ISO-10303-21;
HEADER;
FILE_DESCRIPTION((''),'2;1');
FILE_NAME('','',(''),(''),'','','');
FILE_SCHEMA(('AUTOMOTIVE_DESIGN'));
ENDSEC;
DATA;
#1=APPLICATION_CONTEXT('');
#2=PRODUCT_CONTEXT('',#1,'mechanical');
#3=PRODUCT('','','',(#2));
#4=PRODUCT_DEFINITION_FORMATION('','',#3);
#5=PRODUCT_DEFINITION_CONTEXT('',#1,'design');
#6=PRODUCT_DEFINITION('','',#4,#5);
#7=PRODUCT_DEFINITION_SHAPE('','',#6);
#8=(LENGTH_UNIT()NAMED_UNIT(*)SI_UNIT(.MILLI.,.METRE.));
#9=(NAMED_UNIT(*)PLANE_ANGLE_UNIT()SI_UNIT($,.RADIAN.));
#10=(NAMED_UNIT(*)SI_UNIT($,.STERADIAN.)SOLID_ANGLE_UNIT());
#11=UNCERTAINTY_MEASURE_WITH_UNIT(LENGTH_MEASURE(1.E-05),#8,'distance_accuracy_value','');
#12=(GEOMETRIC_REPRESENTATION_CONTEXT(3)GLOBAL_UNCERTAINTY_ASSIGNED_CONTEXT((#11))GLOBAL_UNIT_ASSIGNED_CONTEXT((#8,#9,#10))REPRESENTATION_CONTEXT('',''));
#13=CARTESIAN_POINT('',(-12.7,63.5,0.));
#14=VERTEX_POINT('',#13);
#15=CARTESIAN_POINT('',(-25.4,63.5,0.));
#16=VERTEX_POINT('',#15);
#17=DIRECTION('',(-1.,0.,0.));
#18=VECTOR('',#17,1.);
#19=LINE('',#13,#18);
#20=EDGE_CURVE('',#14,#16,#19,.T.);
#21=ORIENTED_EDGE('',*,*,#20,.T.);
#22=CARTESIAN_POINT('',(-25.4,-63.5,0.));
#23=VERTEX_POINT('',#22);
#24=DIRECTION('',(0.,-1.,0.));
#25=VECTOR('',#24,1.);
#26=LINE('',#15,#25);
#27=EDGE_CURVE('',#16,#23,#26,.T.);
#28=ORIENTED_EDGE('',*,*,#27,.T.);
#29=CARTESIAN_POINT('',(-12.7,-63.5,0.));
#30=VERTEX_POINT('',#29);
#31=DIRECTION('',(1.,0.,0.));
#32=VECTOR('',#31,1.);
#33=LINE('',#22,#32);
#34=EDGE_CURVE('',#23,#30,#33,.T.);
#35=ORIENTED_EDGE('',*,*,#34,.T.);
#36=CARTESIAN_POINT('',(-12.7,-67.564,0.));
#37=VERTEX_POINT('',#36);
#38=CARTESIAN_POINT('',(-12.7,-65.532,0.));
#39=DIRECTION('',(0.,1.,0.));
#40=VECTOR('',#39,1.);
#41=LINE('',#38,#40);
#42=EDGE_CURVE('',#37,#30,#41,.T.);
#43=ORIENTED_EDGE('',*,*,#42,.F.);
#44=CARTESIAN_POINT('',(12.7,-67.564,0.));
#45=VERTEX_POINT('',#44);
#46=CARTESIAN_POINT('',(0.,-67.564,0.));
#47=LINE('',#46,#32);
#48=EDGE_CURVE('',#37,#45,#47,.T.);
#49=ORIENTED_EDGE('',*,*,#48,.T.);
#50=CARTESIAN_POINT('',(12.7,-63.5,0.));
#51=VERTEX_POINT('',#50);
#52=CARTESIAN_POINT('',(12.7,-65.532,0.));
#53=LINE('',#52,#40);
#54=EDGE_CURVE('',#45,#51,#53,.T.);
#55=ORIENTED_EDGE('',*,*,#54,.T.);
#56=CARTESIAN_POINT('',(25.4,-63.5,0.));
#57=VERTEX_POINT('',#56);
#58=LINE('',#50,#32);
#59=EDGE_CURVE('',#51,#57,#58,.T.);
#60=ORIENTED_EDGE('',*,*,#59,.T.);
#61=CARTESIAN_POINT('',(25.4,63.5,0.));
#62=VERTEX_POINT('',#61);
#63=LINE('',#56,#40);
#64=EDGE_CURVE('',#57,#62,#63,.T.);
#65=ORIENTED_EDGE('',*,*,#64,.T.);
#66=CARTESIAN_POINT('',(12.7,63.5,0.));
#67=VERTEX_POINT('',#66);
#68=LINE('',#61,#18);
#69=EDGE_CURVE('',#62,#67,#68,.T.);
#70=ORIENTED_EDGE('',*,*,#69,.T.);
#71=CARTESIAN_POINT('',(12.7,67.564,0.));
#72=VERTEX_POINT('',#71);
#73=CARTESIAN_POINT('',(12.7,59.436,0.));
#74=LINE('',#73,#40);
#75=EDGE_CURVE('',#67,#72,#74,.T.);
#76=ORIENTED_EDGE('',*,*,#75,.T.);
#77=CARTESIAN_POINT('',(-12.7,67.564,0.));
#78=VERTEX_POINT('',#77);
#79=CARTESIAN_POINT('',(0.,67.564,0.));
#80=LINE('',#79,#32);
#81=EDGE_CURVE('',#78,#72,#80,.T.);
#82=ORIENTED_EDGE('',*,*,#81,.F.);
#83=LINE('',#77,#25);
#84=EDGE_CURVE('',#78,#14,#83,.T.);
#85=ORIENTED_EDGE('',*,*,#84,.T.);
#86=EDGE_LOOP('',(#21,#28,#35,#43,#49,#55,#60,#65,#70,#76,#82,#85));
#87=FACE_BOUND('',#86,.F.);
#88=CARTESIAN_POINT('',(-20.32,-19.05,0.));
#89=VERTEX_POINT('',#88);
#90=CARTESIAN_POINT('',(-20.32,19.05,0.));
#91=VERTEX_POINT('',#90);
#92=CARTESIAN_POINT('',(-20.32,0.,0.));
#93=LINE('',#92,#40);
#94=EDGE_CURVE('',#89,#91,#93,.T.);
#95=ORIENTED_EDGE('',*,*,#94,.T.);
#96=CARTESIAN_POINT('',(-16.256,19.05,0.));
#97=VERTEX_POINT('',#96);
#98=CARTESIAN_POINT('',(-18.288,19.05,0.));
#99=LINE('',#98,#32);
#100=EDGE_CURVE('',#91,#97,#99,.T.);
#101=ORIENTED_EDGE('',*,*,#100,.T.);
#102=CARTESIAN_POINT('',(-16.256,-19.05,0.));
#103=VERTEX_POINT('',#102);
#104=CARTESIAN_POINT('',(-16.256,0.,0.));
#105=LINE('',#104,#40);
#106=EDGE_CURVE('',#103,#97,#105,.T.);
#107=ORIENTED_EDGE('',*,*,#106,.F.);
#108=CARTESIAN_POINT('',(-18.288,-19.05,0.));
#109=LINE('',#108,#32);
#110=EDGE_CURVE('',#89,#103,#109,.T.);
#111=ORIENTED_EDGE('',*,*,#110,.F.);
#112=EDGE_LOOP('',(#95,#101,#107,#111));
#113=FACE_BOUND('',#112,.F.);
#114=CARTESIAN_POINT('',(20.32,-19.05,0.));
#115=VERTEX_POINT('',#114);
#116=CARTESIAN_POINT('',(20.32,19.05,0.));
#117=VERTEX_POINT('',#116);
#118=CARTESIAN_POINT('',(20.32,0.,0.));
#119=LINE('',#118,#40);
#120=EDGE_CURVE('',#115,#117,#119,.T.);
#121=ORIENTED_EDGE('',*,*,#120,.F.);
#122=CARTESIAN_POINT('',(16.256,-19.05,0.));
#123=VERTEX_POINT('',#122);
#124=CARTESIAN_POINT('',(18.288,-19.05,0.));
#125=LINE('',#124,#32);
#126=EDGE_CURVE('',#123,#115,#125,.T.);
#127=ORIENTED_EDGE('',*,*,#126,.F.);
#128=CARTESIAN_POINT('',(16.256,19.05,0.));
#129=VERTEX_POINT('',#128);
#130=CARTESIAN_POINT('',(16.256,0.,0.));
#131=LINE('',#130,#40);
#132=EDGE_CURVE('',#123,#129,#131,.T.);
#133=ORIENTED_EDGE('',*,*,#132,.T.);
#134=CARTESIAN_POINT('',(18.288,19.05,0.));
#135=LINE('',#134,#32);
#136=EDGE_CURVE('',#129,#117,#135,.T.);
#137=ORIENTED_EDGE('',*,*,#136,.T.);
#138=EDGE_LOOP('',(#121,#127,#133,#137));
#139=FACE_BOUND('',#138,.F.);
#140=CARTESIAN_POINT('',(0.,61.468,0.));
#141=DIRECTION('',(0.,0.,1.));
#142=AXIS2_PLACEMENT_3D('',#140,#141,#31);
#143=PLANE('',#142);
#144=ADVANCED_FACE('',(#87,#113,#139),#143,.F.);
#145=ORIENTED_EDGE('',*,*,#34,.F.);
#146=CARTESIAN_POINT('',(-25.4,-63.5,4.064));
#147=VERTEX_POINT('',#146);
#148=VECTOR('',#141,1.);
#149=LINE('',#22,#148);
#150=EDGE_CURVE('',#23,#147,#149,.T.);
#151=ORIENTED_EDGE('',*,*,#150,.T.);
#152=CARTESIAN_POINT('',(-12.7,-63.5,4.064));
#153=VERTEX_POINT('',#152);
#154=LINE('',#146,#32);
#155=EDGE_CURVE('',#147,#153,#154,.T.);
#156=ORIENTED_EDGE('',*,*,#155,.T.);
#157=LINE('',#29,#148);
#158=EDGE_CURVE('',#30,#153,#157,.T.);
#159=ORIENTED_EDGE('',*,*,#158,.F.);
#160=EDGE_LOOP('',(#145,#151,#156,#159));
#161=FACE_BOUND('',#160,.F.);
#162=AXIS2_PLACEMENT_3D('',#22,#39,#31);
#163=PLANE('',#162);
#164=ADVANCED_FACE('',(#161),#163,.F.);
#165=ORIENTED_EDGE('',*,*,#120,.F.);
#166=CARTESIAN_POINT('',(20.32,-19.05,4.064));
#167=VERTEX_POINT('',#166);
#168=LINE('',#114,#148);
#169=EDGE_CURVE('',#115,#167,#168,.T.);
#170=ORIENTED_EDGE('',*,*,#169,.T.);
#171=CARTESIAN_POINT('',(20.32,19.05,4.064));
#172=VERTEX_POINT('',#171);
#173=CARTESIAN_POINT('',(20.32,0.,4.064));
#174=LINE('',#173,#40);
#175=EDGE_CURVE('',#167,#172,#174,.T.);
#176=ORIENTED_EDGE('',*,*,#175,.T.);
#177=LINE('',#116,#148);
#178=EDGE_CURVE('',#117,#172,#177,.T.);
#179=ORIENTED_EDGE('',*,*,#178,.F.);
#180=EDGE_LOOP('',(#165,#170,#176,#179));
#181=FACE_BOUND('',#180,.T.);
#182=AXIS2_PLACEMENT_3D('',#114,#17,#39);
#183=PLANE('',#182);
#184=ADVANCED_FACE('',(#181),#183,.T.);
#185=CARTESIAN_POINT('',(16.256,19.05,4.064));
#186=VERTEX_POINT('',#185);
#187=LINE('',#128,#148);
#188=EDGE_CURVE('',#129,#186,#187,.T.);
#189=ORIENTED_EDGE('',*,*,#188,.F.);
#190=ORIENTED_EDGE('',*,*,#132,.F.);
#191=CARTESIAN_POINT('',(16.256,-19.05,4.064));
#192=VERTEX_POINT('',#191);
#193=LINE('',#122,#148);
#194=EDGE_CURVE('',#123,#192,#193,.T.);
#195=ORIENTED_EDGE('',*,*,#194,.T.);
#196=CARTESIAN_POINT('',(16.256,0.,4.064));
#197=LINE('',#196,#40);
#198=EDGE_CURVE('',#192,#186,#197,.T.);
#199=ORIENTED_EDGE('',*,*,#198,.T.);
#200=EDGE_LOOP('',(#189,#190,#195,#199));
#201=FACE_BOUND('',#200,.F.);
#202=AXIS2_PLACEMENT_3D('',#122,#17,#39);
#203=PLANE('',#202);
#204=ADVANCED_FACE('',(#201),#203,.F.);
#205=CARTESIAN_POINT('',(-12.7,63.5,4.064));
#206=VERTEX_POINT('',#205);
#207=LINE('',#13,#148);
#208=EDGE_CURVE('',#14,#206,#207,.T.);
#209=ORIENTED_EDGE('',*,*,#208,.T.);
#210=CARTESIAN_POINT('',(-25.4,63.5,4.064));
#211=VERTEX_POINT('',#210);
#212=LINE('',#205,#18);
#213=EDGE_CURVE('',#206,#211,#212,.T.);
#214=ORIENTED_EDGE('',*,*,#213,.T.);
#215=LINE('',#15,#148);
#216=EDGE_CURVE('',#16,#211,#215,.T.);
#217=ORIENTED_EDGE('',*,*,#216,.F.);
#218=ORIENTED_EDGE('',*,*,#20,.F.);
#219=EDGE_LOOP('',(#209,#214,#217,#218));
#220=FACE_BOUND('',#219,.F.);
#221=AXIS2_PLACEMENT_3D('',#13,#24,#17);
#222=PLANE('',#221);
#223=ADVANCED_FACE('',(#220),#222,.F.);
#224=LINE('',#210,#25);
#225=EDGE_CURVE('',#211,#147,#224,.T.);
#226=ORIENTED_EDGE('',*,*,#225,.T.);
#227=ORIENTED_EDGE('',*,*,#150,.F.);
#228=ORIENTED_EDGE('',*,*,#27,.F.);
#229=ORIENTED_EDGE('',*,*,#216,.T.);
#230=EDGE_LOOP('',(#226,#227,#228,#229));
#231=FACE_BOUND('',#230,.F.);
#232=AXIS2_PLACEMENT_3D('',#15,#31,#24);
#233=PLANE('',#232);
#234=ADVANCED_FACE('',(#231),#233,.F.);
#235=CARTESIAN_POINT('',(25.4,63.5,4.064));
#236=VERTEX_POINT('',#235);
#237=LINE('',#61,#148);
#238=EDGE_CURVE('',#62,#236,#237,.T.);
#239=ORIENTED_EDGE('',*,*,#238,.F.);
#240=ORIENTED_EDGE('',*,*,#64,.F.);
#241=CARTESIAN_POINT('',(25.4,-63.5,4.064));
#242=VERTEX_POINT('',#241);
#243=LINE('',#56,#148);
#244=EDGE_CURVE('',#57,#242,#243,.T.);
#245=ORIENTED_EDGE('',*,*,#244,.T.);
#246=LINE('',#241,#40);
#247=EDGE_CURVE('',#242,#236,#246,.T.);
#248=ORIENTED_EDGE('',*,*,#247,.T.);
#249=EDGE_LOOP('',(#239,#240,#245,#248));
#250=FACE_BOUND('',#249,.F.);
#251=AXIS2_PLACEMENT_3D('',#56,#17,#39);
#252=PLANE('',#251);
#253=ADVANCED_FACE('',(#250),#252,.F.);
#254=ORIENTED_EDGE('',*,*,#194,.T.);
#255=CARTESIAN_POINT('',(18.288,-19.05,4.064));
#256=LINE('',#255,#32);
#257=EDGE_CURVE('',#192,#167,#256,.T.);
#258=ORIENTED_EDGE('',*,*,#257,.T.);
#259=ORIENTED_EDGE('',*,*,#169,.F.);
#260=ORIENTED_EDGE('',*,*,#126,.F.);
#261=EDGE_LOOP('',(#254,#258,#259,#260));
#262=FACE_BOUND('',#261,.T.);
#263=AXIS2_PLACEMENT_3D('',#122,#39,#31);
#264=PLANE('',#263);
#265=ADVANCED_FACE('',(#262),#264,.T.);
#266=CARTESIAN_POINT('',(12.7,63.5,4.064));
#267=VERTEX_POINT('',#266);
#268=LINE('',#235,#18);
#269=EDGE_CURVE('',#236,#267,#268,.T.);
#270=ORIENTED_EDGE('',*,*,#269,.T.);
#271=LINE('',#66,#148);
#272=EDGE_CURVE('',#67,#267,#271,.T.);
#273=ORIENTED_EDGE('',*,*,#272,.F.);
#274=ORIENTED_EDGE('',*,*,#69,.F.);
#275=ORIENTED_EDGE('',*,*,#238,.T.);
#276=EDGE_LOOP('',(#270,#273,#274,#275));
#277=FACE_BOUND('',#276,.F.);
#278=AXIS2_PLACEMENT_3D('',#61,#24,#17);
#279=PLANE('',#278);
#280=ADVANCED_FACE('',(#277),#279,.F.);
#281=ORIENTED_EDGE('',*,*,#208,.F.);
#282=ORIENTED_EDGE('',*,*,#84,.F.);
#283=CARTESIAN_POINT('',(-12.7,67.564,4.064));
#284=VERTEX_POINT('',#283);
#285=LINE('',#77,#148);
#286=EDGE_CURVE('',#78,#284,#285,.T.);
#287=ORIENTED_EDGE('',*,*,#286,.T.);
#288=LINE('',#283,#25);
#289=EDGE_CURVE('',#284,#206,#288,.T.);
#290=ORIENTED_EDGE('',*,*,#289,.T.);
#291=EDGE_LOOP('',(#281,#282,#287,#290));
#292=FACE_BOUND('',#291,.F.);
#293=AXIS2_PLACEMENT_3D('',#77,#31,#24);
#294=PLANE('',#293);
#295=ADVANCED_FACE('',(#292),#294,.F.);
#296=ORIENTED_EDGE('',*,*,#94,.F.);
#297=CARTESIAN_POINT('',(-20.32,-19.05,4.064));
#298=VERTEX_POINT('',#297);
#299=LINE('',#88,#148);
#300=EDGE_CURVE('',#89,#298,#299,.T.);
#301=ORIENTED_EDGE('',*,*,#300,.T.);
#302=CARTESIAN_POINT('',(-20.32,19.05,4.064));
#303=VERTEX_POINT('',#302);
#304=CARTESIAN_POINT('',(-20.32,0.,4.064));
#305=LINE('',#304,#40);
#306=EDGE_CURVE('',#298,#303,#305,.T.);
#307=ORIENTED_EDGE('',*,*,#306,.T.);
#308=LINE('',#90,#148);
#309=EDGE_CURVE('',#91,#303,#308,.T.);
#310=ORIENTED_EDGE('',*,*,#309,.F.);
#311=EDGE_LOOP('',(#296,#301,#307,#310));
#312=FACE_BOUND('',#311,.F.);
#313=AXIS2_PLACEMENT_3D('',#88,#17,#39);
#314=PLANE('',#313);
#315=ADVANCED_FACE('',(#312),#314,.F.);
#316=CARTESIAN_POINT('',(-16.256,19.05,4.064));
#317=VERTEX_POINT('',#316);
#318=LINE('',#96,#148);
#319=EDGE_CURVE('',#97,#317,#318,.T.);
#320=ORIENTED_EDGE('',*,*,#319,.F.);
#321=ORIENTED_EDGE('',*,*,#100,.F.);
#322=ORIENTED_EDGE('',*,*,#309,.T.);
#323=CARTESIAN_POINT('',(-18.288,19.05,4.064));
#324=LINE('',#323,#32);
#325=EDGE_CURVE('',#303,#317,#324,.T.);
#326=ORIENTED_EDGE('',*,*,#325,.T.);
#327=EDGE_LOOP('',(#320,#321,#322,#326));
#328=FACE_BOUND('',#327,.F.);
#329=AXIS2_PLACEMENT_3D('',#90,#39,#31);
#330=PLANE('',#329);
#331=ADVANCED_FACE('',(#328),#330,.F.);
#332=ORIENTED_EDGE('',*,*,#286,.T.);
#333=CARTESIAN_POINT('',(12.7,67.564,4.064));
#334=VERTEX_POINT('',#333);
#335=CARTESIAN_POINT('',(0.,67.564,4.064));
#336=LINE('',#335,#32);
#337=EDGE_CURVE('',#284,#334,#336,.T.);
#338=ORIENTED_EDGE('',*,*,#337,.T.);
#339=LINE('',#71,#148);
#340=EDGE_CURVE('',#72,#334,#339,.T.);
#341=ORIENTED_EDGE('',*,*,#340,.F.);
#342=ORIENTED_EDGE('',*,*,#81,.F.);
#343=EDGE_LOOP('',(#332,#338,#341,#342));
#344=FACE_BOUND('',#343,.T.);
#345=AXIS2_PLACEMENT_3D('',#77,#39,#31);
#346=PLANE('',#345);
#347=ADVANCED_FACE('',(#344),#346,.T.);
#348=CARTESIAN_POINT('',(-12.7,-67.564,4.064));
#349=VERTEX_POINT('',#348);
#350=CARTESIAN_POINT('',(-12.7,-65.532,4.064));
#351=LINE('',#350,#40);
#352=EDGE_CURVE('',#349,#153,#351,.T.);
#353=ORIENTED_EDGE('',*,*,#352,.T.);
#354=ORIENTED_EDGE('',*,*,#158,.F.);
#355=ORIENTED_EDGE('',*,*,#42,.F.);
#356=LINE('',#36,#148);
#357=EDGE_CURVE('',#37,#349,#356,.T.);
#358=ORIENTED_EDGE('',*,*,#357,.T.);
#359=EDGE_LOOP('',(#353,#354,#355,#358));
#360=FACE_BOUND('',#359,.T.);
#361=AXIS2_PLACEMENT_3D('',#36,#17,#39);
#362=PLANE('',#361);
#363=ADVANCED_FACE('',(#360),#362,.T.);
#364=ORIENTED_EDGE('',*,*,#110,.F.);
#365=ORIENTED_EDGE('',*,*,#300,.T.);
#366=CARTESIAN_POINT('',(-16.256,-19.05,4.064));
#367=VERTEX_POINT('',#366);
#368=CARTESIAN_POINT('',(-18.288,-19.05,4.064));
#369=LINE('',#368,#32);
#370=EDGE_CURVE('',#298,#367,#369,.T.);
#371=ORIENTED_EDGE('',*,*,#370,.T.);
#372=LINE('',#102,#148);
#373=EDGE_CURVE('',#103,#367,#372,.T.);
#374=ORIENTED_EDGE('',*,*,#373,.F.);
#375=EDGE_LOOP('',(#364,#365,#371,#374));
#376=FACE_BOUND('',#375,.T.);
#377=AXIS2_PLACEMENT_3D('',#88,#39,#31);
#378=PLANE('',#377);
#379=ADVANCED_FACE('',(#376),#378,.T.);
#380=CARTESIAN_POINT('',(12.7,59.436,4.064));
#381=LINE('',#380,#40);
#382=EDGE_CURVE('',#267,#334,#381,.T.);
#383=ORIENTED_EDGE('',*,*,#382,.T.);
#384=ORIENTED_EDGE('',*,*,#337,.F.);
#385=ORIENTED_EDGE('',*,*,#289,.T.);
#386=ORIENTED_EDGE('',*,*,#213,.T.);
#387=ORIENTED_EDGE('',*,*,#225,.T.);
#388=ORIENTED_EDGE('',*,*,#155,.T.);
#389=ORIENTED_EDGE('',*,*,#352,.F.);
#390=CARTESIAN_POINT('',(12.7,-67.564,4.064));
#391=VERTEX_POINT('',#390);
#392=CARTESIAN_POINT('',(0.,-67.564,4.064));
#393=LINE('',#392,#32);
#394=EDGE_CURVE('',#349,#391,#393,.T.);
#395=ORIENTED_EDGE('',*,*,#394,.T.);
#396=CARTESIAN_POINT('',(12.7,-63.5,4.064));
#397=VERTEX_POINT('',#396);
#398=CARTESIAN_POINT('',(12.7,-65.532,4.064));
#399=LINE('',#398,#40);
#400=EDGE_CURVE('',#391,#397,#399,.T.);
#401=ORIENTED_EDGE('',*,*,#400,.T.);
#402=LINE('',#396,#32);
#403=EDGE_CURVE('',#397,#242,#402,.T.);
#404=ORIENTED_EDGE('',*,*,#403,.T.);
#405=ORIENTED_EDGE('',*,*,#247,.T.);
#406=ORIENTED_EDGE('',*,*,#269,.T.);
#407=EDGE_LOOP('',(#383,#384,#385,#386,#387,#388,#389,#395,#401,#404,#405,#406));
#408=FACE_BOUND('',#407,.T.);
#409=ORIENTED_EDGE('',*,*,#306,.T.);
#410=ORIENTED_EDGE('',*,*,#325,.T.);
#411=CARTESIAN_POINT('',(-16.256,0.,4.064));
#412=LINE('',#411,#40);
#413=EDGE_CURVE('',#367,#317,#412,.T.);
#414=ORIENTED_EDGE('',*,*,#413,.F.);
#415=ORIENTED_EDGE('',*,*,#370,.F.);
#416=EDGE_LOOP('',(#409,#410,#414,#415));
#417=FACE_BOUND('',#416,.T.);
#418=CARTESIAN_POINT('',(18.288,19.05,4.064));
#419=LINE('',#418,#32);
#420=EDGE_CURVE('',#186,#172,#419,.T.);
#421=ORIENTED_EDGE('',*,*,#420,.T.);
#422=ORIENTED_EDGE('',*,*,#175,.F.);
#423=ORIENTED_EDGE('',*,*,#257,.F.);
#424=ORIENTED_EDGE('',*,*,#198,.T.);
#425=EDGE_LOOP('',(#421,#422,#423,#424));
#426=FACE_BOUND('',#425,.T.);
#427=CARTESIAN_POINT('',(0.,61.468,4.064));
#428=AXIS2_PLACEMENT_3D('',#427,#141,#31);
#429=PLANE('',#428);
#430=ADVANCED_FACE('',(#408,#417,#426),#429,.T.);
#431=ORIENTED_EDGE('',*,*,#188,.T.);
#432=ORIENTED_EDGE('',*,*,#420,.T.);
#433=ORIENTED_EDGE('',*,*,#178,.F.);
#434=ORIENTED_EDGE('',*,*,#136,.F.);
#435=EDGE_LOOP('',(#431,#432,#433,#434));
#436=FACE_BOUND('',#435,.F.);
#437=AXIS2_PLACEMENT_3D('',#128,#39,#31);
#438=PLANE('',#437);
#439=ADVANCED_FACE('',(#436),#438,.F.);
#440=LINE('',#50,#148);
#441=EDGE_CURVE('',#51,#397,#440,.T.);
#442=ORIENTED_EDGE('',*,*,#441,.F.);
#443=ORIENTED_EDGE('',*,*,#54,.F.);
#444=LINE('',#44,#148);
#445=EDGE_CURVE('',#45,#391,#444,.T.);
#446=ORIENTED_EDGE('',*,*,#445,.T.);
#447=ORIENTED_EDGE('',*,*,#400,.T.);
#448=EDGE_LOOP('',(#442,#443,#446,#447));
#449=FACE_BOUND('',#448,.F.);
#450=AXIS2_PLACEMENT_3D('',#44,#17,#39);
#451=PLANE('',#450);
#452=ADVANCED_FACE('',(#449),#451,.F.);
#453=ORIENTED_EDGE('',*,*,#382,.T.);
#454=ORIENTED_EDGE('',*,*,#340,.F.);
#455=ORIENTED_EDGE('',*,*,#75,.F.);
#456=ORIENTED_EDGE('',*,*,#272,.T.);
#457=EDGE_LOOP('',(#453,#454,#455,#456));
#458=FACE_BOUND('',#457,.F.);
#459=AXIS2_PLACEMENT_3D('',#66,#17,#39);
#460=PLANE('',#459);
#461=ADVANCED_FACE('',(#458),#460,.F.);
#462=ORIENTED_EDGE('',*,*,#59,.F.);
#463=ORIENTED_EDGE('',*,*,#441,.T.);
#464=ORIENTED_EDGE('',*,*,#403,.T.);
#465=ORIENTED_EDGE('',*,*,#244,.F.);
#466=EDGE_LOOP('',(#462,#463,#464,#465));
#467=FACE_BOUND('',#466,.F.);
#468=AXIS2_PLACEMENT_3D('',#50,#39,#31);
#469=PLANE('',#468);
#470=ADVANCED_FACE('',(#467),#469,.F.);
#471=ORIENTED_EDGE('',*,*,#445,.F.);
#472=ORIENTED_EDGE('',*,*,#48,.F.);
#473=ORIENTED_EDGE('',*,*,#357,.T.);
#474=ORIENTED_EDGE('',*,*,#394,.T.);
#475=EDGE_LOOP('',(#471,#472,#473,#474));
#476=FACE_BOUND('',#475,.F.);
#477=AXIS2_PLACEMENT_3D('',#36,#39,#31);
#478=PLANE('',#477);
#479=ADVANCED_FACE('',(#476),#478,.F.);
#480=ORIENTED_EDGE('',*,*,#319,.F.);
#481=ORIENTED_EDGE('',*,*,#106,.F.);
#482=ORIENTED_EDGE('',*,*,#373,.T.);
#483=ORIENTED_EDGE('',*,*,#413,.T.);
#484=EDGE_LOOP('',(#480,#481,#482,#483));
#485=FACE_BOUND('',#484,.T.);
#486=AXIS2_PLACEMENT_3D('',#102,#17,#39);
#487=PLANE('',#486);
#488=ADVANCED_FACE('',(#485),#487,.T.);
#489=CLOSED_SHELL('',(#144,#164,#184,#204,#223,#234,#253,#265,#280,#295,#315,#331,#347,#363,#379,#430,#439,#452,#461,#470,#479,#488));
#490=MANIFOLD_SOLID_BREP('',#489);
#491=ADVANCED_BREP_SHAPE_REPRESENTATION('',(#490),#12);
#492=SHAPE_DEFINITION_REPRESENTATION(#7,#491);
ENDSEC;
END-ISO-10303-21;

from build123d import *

# Parameters (mm, degrees)
F0_W     = 25.4
F0_H     = 4.064
F0_W_2   = 4.064
F0_H_2   = 38.1
F1_DEPTH = 4.064


with BuildPart() as f1:
    # F0 (on Top) → F1 (new body)
    with BuildSketch(Plane.XY):
        with Locations((0, 61.468)):
            Rectangle(F0_W, F0_H)
        with Locations((0, -65.532)):
            Rectangle(F0_W, F0_H)
        with Locations((0, 65.532)):
            Rectangle(F0_W, F0_H)
        Polygon((25.4, -63.5), (25.4, 63.5), (12.7, 63.5), (12.7, 59.436), (-12.7, 59.436), (-12.7, 63.5), (-25.4, 63.5), (-25.4, -63.5), (-12.7, -63.5), (-12.7, -59.436), (12.7, -59.436), (12.7, -63.5), align=None)
        with Locations((-18.288, 0)):
            Rectangle(F0_W_2, F0_H_2, mode=Mode.SUBTRACT)
        with Locations((18.288, 0)):
            Rectangle(F0_W_2, F0_H_2, mode=Mode.SUBTRACT)
        with Locations((0, -61.468)):
            Rectangle(F0_W, F0_H)
    extrude(amount=F1_DEPTH)


solid = f1.part
